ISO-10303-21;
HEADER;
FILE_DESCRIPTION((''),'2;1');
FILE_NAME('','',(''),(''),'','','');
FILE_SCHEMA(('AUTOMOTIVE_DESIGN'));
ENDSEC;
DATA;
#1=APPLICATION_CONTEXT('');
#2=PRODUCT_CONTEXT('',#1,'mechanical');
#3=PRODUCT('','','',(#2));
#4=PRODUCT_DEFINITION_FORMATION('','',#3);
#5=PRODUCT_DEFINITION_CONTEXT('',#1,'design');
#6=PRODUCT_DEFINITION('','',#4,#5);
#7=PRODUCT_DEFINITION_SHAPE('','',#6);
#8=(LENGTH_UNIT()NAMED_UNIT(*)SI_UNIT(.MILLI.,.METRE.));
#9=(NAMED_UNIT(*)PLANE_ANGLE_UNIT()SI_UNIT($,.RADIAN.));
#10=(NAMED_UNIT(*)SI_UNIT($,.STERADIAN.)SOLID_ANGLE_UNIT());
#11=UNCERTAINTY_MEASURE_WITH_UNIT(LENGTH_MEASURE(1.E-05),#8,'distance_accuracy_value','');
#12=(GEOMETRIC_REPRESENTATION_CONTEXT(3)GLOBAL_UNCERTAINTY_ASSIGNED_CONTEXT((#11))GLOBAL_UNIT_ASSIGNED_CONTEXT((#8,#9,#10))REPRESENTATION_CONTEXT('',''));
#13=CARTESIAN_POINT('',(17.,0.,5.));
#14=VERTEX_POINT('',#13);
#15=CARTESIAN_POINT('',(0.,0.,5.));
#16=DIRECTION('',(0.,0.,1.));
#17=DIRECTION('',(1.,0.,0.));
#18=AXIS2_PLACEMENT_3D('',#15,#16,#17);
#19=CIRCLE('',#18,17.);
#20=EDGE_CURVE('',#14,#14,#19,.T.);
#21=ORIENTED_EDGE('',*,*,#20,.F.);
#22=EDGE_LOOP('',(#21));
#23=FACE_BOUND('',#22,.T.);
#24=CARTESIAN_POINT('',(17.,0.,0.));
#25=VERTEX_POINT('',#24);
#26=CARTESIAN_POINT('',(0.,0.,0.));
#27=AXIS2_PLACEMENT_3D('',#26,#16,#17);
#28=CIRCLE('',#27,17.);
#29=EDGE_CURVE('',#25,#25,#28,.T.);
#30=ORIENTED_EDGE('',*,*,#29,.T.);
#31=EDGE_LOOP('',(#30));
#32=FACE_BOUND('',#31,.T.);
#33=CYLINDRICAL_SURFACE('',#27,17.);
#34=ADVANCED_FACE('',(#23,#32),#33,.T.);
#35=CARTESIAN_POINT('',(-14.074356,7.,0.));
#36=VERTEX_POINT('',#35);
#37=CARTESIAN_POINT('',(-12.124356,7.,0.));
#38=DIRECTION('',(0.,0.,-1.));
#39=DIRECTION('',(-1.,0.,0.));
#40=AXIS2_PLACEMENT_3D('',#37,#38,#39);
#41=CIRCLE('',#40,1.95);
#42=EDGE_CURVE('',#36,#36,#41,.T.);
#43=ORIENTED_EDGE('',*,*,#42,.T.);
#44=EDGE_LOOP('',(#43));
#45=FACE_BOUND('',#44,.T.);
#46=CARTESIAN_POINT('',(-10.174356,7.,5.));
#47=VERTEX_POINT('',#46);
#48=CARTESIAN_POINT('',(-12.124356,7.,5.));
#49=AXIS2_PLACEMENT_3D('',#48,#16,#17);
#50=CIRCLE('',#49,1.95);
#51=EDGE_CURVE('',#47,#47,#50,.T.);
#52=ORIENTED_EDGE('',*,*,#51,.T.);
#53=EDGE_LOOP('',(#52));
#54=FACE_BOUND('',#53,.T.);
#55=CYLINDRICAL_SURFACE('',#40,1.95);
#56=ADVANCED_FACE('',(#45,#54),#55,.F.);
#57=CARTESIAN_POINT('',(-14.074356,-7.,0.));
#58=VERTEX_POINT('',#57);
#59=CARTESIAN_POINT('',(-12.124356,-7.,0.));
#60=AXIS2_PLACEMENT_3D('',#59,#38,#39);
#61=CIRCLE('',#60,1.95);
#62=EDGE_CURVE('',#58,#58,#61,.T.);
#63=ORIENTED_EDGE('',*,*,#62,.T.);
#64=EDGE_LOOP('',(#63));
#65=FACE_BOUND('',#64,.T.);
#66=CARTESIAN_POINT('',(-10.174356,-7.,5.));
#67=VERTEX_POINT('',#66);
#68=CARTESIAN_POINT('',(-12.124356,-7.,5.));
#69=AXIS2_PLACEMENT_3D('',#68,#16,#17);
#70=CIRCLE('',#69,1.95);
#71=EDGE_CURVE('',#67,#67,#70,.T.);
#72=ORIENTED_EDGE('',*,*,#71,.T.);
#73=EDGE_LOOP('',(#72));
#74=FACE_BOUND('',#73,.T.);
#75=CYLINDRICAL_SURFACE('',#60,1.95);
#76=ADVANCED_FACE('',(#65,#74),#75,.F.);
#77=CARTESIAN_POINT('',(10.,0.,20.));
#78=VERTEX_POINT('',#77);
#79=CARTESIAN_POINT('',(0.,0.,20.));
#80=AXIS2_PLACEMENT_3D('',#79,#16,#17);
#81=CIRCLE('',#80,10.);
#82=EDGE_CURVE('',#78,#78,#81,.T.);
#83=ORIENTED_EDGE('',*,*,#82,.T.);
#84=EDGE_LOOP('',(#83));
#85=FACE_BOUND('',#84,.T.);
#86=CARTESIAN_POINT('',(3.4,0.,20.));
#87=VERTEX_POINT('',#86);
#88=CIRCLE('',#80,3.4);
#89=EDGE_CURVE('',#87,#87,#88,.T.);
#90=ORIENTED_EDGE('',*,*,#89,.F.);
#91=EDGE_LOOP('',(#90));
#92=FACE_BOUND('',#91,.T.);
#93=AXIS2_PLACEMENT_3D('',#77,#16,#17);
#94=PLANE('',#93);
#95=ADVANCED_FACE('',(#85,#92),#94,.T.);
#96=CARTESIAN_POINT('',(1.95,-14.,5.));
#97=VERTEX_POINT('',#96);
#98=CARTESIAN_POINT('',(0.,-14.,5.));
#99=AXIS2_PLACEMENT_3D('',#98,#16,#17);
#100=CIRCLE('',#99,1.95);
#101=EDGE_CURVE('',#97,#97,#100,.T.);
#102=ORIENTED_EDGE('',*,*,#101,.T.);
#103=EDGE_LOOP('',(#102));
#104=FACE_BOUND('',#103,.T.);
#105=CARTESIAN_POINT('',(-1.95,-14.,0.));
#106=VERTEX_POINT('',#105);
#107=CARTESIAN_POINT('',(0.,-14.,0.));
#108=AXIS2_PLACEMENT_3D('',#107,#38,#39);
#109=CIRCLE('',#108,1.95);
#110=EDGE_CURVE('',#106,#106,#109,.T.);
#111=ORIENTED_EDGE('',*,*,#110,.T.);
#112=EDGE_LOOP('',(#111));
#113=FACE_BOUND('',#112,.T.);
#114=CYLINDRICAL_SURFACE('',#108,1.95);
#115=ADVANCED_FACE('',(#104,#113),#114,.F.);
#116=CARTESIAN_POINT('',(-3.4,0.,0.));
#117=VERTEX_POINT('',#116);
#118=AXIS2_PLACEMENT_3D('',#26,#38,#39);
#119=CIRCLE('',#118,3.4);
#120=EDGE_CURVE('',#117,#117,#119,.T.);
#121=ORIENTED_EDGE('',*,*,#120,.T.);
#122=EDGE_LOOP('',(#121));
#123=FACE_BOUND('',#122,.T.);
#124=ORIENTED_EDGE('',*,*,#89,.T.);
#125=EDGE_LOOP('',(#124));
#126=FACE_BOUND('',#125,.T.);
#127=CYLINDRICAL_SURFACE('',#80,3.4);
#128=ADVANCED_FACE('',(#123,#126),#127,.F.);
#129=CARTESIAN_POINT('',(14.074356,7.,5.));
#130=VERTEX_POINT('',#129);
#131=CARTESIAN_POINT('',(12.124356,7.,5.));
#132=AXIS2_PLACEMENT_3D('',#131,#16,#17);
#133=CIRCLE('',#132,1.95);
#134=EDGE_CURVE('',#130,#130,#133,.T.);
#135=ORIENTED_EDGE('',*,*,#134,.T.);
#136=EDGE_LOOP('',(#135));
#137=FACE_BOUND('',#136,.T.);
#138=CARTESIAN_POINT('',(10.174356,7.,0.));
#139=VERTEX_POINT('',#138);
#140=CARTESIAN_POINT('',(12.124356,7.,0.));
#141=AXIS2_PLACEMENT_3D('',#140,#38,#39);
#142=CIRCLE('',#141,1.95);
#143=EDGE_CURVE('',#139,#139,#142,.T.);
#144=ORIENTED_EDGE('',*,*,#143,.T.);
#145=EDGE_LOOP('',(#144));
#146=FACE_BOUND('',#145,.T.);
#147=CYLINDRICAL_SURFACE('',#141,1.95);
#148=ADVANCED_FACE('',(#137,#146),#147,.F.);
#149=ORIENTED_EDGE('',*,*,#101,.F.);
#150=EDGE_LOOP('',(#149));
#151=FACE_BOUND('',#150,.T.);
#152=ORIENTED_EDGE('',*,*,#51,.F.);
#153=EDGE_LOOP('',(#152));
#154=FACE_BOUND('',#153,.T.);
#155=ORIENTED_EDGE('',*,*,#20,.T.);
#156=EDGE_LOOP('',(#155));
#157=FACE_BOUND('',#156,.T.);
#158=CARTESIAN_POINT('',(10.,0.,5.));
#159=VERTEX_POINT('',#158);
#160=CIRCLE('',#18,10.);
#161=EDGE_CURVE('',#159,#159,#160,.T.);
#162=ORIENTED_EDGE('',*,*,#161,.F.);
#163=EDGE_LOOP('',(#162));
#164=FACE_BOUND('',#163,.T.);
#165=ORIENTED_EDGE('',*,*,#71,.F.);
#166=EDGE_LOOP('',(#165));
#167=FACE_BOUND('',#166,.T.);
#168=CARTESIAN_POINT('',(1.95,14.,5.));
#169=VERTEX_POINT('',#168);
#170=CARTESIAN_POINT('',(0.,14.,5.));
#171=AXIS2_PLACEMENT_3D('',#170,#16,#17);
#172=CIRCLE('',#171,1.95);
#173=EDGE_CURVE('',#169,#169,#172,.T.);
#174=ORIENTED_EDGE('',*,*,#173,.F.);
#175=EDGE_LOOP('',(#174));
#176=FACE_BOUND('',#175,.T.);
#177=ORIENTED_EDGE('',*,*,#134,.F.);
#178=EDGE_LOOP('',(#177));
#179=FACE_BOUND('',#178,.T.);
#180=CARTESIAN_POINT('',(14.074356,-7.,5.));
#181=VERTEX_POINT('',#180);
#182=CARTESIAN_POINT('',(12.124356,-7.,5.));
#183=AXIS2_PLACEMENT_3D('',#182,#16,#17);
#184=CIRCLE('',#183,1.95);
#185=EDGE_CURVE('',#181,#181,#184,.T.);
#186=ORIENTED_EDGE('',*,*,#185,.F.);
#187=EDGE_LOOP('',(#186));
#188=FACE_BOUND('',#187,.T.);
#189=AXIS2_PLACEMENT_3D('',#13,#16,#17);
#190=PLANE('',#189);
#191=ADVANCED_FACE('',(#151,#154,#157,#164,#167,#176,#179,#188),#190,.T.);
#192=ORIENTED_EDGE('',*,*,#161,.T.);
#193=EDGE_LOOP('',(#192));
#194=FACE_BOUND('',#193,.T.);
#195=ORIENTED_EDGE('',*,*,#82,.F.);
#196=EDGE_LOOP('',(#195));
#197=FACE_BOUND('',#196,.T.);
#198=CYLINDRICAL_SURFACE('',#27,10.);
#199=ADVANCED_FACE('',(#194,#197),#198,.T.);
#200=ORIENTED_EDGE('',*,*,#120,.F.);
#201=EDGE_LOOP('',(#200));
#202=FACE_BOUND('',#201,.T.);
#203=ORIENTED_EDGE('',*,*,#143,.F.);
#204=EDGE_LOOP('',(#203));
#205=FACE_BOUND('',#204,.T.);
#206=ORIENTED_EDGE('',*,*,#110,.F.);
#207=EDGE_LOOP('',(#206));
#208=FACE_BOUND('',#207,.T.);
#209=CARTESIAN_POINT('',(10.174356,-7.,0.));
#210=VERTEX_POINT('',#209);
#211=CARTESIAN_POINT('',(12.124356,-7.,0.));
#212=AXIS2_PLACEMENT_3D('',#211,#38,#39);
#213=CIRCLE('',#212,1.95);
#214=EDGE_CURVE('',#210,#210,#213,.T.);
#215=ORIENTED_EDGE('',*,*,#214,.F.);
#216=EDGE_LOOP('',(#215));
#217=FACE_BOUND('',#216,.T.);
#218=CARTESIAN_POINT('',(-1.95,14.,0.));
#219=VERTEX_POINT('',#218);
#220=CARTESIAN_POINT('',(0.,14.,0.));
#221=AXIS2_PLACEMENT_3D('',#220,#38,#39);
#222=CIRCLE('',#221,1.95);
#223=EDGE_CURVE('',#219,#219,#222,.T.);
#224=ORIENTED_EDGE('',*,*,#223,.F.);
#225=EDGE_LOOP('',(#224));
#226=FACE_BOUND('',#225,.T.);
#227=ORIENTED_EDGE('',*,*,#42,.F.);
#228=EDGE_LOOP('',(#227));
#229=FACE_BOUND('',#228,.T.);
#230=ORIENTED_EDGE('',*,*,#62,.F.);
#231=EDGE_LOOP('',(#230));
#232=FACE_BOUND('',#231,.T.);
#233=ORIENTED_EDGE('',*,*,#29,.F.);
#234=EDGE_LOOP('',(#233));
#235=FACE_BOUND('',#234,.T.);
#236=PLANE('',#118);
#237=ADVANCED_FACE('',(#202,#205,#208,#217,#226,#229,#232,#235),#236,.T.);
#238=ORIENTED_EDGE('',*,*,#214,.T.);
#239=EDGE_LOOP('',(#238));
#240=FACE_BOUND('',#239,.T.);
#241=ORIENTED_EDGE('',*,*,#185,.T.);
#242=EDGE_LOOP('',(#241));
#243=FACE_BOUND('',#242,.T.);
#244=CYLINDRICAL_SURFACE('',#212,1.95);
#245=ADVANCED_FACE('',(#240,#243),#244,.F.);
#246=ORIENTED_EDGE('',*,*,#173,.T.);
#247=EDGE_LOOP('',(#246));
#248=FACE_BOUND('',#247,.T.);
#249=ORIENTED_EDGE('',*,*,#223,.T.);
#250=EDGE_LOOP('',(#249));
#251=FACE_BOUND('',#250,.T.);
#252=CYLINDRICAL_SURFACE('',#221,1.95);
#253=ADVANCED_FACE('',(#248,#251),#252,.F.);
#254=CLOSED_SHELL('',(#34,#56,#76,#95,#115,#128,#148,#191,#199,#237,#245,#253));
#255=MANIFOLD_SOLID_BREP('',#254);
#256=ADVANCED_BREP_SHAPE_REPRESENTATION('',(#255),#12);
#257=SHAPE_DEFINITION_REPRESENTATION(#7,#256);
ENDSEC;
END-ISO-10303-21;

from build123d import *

# Parameters (mm, degrees)
TALADRO_ROSCADO_M81_D     = 6.8
TALADRO_ROSCADO_M81_DEPTH = 22.25
TALADRO_ROSCADO_M81_TIP   = 2.042926105
MATRIZC1_COUNT            = 6


with BuildPart() as part:
    # Croquis1 → Revolución1 (revolve)
    with BuildSketch(Plane(origin=(0, 0, 0), x_dir=(1, 0, 0), z_dir=(0, 1, 0))):
        Polygon((0, 0), (17, 0), (17, -5), (10, -5), (10, -20), (0, -20), align=None)
    revolve(axis=Axis((0, 0, 0), (0, 0, -1)))

    # Taladro roscado M81
    with Locations(Plane.XY.offset(20)):
        with Locations((0, 0)):
            Hole(TALADRO_ROSCADO_M81_D / 2, depth=TALADRO_ROSCADO_M81_DEPTH)
            with Locations((0, 0, -(TALADRO_ROSCADO_M81_DEPTH + TALADRO_ROSCADO_M81_TIP / 2))):  # 118° drill point
                Cone(0, TALADRO_ROSCADO_M81_D / 2, TALADRO_ROSCADO_M81_TIP, mode=Mode.SUBTRACT)

    # Croquis4 → Taladro de margen para M3.51 (revolve, cut)
    with BuildSketch(Plane(origin=(0, 14, 0), x_dir=(0, 1, 0), z_dir=(1, 0, 0))):
        Polygon((0, 0), (0, 501.171678207), (1.95, 500), (1.95, 0), align=None)
    taladro_de_margen_para_m3_51 = revolve(axis=Axis((0, 14, -6.35), (0, 0, 1)), mode=Mode.SUBTRACT)

    # MatrizC1: Taladro de margen para M3.51 ×6 about axis
    matrizc1_axis = Axis((0, 0, 0), (0, 0, 1))
    for i in range(1, MATRIZC1_COUNT):
        add(taladro_de_margen_para_m3_51.rotate(matrizc1_axis, i * 360 / MATRIZC1_COUNT), mode=Mode.SUBTRACT)


solid = part.part
